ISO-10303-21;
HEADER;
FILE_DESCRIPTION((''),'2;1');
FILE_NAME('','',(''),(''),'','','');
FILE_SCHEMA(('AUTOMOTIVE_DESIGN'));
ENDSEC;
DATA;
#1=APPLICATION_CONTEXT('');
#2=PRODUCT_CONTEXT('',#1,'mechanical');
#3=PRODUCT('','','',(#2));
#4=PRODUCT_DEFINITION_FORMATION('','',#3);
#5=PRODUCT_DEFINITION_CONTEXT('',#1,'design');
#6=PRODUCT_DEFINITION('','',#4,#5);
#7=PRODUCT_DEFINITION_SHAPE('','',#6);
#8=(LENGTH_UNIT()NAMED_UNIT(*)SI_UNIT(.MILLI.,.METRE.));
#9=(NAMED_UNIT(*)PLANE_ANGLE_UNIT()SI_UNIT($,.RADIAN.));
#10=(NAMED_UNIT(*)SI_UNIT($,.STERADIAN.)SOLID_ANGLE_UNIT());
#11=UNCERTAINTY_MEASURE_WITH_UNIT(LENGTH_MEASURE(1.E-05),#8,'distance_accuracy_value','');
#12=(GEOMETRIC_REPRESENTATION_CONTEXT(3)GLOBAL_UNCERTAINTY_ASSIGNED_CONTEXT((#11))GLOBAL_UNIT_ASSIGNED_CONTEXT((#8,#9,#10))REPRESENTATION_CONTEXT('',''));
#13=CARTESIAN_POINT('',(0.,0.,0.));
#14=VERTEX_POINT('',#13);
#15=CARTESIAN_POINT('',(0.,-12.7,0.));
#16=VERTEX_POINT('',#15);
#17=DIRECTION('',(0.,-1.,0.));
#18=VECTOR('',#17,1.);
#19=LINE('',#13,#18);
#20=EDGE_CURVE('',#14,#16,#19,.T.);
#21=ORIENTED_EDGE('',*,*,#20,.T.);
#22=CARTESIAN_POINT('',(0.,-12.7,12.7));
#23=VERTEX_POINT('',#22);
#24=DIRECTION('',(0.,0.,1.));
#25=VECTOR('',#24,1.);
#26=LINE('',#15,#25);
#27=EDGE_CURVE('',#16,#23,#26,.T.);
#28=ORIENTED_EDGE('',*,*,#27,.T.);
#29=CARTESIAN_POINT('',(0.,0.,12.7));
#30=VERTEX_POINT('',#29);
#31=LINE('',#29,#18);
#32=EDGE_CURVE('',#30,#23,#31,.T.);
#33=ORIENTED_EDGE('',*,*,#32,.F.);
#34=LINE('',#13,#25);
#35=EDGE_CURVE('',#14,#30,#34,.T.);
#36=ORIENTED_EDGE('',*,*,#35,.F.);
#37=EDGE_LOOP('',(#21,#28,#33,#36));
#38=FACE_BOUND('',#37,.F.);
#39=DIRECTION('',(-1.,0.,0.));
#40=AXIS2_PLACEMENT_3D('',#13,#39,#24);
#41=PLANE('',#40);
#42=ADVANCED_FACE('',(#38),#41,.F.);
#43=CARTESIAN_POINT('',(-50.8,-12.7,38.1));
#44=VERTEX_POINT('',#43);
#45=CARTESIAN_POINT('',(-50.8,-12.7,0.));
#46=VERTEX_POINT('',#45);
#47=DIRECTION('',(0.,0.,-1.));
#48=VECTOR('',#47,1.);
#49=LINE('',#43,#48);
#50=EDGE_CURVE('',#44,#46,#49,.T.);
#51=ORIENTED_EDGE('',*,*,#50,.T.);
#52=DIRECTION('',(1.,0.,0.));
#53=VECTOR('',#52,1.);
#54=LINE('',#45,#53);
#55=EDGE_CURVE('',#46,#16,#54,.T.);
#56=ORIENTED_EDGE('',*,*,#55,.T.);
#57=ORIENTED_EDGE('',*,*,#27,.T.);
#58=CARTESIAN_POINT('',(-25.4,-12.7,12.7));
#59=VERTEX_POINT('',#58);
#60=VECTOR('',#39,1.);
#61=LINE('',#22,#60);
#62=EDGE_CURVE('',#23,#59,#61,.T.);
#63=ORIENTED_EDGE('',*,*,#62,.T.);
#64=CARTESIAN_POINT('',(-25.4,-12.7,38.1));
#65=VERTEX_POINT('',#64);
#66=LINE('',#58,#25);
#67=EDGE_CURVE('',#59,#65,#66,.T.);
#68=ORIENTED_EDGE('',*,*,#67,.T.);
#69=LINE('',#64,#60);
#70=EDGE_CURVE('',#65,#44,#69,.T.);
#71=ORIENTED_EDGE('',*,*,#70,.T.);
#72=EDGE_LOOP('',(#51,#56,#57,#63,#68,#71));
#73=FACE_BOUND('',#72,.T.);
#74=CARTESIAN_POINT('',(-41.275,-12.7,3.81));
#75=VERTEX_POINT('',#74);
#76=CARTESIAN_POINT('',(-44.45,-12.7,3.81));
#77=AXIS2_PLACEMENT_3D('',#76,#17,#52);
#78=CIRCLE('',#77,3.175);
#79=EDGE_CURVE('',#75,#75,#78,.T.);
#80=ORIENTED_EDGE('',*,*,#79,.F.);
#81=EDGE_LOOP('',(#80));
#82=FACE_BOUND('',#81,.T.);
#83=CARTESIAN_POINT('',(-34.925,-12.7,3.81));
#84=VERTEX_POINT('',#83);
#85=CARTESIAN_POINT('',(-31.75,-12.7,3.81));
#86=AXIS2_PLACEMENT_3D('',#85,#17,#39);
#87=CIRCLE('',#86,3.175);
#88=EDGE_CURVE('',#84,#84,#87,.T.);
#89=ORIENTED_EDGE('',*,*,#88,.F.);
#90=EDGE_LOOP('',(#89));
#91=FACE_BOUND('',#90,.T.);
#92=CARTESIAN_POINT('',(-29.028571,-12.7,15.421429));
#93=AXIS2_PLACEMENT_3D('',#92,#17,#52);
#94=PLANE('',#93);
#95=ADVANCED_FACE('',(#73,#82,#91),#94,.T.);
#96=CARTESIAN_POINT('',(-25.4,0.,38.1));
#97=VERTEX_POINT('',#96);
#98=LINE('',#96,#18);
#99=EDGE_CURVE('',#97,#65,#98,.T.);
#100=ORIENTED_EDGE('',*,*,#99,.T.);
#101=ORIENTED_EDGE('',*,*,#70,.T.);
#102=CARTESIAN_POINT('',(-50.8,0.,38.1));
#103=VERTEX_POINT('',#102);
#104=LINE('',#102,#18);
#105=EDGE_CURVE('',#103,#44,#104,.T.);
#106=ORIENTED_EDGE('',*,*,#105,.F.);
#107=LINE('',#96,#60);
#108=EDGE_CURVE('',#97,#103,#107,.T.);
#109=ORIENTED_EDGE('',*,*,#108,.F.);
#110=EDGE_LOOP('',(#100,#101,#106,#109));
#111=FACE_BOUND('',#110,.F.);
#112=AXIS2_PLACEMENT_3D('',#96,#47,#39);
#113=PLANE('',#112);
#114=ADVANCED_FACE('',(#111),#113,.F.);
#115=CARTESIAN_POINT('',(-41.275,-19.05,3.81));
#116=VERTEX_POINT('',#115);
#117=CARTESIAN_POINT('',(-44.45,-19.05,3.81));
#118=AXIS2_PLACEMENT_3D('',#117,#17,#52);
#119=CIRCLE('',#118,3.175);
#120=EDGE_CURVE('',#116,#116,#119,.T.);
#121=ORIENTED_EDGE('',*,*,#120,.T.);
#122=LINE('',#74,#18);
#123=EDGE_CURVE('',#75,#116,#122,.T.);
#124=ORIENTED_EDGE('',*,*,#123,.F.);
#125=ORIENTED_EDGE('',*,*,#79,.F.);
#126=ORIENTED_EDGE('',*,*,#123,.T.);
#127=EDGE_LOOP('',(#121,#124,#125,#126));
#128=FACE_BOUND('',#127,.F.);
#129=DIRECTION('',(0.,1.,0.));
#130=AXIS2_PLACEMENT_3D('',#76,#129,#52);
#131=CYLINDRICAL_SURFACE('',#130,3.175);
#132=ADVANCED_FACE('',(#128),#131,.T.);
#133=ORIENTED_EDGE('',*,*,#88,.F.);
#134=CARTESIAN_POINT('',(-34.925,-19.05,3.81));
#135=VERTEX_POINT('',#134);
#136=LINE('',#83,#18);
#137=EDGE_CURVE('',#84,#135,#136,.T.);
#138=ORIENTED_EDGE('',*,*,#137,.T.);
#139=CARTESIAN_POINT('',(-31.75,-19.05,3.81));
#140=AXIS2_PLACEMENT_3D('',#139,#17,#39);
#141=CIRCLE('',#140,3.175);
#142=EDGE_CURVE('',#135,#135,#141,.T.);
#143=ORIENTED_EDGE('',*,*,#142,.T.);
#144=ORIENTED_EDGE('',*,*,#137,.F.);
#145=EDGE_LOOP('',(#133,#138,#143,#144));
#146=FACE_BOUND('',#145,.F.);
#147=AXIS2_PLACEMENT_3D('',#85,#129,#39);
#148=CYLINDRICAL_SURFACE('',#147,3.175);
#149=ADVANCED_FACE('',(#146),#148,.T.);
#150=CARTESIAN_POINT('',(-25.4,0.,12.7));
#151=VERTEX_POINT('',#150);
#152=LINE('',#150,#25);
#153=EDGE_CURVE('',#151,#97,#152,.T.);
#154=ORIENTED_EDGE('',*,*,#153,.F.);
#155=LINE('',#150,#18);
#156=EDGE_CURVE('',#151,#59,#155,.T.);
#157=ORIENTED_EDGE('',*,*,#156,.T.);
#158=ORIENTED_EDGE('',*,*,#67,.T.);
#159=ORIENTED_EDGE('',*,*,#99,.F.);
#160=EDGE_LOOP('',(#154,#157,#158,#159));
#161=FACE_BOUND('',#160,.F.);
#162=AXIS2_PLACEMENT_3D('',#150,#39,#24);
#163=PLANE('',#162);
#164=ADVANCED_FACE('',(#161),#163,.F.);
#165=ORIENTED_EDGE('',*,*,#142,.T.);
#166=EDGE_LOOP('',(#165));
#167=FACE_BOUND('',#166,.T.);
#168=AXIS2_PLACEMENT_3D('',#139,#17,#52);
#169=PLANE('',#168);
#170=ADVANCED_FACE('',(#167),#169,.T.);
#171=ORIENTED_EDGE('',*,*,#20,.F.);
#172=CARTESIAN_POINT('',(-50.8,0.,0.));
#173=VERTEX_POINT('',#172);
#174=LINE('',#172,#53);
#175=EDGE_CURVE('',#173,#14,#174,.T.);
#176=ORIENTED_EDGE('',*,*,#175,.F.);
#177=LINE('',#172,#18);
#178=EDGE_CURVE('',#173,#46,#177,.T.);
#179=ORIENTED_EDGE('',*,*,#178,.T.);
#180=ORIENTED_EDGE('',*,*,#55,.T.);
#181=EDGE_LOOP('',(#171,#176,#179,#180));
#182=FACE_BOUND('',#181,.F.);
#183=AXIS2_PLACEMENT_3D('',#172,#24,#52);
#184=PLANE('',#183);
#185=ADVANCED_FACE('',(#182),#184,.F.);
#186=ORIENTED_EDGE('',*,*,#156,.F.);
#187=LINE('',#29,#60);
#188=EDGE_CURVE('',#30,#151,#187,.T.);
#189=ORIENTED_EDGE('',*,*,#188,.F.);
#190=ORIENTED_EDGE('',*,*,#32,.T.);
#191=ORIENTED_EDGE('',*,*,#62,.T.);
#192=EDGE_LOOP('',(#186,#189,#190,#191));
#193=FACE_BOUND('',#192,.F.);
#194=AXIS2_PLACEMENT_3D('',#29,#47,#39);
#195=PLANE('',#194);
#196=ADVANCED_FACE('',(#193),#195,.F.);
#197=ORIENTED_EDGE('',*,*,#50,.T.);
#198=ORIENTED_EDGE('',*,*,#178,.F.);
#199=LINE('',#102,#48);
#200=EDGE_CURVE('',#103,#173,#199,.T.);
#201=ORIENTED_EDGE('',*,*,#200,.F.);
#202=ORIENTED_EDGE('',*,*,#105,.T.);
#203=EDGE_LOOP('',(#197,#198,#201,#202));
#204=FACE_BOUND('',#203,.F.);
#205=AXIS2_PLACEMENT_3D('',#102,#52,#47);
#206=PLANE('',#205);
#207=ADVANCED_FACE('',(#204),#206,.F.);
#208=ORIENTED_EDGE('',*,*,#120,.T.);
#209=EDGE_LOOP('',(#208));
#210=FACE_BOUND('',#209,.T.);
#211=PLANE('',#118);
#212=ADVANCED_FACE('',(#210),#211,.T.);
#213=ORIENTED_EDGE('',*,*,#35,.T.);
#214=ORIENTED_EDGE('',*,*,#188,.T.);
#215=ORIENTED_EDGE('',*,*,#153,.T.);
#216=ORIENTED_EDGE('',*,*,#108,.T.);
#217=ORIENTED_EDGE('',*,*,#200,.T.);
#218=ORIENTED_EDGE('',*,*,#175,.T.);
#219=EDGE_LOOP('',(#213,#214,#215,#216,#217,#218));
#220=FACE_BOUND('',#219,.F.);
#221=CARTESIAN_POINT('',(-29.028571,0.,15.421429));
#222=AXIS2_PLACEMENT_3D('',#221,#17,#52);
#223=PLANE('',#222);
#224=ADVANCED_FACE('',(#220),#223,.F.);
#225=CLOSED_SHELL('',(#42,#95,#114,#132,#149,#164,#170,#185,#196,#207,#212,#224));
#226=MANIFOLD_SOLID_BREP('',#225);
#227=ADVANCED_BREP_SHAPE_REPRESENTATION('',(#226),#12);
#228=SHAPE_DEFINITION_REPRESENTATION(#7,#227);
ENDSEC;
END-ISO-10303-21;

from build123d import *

# Parameters (mm, degrees)
F1_DEPTH = 12.7
F2_R     = 3.175
F3_DEPTH = 6.35


with BuildPart() as f1:
    # F0 (on Front) → F1 (new body)
    with BuildSketch(Plane.XZ):
        Polygon((-50.8, 0), (0, 0), (0, 12.7), (-25.4, 12.7), (-25.4, 38.1), (-50.8, 38.1), align=None)
    extrude(amount=F1_DEPTH)

    # F2 (on face) → F3 (join)
    with BuildSketch(Plane.XZ.offset(12.7)):
        with Locations((-44.45, 3.81)):
            Circle(F2_R)
        with BuildLine():
            ThreePointArc((-28.575, 3.81), (-31.75, 6.985), (-34.925, 3.81))
            ThreePointArc((-34.925, 3.81), (-31.75, 0.635), (-28.575, 3.81))
        make_face()
    extrude(amount=F3_DEPTH)


solid = f1.part
